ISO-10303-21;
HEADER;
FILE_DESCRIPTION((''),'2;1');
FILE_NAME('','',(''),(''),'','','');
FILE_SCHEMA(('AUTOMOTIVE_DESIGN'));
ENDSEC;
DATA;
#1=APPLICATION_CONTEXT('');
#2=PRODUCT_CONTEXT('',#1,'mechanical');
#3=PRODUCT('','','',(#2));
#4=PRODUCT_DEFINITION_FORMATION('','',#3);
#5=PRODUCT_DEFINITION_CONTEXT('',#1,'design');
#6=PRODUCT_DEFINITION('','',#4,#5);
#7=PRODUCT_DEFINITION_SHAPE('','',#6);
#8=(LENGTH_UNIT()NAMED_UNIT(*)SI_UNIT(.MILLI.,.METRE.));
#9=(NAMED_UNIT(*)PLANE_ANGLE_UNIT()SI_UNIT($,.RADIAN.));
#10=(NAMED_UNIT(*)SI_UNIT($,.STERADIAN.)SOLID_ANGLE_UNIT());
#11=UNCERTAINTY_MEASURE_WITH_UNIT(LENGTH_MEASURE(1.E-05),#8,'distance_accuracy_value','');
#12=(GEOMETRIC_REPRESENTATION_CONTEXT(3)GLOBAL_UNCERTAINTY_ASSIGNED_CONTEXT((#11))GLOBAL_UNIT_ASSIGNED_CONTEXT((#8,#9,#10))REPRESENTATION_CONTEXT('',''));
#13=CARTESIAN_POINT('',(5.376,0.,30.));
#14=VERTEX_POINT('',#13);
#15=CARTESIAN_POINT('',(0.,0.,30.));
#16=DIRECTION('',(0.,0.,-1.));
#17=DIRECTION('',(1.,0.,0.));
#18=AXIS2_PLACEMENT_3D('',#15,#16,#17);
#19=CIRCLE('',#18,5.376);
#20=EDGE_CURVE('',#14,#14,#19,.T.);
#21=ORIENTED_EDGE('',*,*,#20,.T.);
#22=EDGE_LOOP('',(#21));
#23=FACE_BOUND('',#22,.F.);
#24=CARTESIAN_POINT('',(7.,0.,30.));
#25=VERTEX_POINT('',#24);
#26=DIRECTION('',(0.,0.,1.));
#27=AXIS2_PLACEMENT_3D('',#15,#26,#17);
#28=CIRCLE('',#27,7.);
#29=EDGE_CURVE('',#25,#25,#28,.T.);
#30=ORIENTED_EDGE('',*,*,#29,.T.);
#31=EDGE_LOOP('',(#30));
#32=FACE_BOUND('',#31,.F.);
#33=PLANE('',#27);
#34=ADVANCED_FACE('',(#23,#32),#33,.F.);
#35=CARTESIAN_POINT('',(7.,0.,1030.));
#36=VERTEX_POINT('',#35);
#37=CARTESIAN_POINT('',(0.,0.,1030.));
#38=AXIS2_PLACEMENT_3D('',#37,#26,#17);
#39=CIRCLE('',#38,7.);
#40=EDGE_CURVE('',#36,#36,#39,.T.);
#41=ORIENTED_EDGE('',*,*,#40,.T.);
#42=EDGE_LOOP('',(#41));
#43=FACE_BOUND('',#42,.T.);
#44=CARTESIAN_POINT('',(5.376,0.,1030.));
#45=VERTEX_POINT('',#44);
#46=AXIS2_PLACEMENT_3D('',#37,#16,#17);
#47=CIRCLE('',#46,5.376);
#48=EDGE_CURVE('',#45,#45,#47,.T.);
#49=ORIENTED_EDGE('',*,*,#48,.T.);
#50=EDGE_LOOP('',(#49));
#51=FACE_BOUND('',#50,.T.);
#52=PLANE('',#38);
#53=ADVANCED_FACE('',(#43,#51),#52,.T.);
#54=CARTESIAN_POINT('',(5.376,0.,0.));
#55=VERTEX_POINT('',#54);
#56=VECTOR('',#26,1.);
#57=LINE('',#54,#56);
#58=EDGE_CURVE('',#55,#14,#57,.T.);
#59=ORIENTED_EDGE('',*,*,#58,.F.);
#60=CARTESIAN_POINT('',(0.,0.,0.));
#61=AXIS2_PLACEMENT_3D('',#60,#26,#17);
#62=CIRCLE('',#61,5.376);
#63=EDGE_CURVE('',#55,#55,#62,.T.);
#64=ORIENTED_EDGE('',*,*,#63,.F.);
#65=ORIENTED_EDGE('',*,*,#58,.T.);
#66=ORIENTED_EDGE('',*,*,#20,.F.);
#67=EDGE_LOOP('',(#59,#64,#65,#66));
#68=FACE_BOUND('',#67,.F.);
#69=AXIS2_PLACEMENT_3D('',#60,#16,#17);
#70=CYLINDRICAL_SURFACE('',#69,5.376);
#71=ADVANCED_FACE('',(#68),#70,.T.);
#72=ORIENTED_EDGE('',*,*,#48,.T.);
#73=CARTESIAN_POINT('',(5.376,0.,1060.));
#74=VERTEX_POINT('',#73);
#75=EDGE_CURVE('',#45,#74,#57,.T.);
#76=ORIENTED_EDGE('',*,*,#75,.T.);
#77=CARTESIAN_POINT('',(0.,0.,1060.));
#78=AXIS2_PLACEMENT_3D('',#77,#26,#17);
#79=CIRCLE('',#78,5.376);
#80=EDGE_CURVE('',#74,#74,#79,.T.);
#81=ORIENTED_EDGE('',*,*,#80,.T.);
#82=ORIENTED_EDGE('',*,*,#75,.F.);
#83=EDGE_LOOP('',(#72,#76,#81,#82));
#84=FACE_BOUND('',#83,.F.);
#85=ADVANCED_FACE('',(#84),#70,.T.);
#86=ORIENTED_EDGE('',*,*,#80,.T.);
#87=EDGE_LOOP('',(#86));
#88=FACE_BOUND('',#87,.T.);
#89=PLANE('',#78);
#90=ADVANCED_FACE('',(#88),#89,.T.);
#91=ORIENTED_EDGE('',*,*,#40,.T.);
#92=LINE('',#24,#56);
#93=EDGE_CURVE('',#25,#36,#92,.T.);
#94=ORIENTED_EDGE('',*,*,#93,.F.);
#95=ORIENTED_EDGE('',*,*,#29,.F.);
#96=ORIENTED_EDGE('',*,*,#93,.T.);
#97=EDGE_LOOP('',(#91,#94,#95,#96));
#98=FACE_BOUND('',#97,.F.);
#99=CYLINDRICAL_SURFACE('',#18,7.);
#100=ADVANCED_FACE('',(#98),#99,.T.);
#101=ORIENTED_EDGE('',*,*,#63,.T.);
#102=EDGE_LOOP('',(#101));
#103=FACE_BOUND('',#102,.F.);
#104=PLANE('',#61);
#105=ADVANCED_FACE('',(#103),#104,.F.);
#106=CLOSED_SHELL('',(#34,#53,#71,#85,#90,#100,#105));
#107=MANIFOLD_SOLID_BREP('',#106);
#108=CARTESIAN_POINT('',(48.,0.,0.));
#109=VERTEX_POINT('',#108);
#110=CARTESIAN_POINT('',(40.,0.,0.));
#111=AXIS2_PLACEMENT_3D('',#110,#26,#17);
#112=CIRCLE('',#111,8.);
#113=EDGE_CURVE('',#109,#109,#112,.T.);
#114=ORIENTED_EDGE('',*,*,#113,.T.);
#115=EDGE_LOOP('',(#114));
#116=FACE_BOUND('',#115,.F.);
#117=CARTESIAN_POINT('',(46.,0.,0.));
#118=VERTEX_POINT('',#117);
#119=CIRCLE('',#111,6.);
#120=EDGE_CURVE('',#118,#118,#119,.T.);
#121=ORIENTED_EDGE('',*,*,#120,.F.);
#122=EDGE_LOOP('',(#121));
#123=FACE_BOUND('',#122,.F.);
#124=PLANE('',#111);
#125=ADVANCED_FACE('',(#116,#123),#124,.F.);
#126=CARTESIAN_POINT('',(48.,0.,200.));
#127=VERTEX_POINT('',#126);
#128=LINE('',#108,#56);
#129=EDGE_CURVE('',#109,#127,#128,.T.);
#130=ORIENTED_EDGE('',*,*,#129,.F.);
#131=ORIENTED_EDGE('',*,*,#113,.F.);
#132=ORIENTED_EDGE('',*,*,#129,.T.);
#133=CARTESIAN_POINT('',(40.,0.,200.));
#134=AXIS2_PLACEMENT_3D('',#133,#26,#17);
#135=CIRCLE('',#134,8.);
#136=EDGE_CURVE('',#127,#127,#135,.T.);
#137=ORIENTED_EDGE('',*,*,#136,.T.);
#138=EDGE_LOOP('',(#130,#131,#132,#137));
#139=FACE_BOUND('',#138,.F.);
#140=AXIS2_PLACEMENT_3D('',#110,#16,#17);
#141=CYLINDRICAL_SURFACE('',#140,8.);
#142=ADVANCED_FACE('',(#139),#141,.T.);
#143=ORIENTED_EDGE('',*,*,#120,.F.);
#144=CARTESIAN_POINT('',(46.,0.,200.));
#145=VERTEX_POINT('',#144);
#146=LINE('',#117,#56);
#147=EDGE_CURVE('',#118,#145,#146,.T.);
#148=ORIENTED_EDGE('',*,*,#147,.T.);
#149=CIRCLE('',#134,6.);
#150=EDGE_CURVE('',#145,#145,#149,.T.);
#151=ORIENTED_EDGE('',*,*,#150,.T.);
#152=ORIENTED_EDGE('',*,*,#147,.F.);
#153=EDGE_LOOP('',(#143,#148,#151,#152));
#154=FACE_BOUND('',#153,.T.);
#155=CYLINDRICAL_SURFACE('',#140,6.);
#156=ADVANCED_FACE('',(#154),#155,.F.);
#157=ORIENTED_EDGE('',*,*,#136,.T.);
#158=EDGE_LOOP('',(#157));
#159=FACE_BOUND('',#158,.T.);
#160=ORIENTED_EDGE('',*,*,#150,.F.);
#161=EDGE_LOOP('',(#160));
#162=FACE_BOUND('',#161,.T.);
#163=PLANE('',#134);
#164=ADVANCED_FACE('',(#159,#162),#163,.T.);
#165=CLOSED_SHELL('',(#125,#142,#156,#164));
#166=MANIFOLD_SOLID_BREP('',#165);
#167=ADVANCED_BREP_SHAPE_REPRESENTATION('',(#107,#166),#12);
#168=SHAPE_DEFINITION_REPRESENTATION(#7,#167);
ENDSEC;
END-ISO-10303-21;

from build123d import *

# Parameters (mm, degrees)
F3_R     = 5.376
F4_DEPTH = 1060
F6_R     = 7
F7_DEPTH = 1000
F3_R_2   = 8
F3_R_3   = 6
F8_DEPTH = 200


with BuildPart() as f4:
    # F3 (on Top) → F4 (new body)
    with BuildSketch(Plane.XY):
        Circle(F3_R)
    extrude(amount=F4_DEPTH)

    # F6 (on offset) → F7 (join)
    with BuildSketch(Plane.XY.offset(30)):
        Circle(F6_R)
    extrude(amount=F7_DEPTH)


with BuildPart() as f8:
    # F3 (on Top) → F8 (new body)
    with BuildSketch(Plane.XY):
        with Locations((40, 0)):
            Circle(F3_R_2)
        with Locations((40, 0)):
            Circle(F3_R_3, mode=Mode.SUBTRACT)
    extrude(amount=F8_DEPTH)


solid = Compound([f4.part, f8.part])
